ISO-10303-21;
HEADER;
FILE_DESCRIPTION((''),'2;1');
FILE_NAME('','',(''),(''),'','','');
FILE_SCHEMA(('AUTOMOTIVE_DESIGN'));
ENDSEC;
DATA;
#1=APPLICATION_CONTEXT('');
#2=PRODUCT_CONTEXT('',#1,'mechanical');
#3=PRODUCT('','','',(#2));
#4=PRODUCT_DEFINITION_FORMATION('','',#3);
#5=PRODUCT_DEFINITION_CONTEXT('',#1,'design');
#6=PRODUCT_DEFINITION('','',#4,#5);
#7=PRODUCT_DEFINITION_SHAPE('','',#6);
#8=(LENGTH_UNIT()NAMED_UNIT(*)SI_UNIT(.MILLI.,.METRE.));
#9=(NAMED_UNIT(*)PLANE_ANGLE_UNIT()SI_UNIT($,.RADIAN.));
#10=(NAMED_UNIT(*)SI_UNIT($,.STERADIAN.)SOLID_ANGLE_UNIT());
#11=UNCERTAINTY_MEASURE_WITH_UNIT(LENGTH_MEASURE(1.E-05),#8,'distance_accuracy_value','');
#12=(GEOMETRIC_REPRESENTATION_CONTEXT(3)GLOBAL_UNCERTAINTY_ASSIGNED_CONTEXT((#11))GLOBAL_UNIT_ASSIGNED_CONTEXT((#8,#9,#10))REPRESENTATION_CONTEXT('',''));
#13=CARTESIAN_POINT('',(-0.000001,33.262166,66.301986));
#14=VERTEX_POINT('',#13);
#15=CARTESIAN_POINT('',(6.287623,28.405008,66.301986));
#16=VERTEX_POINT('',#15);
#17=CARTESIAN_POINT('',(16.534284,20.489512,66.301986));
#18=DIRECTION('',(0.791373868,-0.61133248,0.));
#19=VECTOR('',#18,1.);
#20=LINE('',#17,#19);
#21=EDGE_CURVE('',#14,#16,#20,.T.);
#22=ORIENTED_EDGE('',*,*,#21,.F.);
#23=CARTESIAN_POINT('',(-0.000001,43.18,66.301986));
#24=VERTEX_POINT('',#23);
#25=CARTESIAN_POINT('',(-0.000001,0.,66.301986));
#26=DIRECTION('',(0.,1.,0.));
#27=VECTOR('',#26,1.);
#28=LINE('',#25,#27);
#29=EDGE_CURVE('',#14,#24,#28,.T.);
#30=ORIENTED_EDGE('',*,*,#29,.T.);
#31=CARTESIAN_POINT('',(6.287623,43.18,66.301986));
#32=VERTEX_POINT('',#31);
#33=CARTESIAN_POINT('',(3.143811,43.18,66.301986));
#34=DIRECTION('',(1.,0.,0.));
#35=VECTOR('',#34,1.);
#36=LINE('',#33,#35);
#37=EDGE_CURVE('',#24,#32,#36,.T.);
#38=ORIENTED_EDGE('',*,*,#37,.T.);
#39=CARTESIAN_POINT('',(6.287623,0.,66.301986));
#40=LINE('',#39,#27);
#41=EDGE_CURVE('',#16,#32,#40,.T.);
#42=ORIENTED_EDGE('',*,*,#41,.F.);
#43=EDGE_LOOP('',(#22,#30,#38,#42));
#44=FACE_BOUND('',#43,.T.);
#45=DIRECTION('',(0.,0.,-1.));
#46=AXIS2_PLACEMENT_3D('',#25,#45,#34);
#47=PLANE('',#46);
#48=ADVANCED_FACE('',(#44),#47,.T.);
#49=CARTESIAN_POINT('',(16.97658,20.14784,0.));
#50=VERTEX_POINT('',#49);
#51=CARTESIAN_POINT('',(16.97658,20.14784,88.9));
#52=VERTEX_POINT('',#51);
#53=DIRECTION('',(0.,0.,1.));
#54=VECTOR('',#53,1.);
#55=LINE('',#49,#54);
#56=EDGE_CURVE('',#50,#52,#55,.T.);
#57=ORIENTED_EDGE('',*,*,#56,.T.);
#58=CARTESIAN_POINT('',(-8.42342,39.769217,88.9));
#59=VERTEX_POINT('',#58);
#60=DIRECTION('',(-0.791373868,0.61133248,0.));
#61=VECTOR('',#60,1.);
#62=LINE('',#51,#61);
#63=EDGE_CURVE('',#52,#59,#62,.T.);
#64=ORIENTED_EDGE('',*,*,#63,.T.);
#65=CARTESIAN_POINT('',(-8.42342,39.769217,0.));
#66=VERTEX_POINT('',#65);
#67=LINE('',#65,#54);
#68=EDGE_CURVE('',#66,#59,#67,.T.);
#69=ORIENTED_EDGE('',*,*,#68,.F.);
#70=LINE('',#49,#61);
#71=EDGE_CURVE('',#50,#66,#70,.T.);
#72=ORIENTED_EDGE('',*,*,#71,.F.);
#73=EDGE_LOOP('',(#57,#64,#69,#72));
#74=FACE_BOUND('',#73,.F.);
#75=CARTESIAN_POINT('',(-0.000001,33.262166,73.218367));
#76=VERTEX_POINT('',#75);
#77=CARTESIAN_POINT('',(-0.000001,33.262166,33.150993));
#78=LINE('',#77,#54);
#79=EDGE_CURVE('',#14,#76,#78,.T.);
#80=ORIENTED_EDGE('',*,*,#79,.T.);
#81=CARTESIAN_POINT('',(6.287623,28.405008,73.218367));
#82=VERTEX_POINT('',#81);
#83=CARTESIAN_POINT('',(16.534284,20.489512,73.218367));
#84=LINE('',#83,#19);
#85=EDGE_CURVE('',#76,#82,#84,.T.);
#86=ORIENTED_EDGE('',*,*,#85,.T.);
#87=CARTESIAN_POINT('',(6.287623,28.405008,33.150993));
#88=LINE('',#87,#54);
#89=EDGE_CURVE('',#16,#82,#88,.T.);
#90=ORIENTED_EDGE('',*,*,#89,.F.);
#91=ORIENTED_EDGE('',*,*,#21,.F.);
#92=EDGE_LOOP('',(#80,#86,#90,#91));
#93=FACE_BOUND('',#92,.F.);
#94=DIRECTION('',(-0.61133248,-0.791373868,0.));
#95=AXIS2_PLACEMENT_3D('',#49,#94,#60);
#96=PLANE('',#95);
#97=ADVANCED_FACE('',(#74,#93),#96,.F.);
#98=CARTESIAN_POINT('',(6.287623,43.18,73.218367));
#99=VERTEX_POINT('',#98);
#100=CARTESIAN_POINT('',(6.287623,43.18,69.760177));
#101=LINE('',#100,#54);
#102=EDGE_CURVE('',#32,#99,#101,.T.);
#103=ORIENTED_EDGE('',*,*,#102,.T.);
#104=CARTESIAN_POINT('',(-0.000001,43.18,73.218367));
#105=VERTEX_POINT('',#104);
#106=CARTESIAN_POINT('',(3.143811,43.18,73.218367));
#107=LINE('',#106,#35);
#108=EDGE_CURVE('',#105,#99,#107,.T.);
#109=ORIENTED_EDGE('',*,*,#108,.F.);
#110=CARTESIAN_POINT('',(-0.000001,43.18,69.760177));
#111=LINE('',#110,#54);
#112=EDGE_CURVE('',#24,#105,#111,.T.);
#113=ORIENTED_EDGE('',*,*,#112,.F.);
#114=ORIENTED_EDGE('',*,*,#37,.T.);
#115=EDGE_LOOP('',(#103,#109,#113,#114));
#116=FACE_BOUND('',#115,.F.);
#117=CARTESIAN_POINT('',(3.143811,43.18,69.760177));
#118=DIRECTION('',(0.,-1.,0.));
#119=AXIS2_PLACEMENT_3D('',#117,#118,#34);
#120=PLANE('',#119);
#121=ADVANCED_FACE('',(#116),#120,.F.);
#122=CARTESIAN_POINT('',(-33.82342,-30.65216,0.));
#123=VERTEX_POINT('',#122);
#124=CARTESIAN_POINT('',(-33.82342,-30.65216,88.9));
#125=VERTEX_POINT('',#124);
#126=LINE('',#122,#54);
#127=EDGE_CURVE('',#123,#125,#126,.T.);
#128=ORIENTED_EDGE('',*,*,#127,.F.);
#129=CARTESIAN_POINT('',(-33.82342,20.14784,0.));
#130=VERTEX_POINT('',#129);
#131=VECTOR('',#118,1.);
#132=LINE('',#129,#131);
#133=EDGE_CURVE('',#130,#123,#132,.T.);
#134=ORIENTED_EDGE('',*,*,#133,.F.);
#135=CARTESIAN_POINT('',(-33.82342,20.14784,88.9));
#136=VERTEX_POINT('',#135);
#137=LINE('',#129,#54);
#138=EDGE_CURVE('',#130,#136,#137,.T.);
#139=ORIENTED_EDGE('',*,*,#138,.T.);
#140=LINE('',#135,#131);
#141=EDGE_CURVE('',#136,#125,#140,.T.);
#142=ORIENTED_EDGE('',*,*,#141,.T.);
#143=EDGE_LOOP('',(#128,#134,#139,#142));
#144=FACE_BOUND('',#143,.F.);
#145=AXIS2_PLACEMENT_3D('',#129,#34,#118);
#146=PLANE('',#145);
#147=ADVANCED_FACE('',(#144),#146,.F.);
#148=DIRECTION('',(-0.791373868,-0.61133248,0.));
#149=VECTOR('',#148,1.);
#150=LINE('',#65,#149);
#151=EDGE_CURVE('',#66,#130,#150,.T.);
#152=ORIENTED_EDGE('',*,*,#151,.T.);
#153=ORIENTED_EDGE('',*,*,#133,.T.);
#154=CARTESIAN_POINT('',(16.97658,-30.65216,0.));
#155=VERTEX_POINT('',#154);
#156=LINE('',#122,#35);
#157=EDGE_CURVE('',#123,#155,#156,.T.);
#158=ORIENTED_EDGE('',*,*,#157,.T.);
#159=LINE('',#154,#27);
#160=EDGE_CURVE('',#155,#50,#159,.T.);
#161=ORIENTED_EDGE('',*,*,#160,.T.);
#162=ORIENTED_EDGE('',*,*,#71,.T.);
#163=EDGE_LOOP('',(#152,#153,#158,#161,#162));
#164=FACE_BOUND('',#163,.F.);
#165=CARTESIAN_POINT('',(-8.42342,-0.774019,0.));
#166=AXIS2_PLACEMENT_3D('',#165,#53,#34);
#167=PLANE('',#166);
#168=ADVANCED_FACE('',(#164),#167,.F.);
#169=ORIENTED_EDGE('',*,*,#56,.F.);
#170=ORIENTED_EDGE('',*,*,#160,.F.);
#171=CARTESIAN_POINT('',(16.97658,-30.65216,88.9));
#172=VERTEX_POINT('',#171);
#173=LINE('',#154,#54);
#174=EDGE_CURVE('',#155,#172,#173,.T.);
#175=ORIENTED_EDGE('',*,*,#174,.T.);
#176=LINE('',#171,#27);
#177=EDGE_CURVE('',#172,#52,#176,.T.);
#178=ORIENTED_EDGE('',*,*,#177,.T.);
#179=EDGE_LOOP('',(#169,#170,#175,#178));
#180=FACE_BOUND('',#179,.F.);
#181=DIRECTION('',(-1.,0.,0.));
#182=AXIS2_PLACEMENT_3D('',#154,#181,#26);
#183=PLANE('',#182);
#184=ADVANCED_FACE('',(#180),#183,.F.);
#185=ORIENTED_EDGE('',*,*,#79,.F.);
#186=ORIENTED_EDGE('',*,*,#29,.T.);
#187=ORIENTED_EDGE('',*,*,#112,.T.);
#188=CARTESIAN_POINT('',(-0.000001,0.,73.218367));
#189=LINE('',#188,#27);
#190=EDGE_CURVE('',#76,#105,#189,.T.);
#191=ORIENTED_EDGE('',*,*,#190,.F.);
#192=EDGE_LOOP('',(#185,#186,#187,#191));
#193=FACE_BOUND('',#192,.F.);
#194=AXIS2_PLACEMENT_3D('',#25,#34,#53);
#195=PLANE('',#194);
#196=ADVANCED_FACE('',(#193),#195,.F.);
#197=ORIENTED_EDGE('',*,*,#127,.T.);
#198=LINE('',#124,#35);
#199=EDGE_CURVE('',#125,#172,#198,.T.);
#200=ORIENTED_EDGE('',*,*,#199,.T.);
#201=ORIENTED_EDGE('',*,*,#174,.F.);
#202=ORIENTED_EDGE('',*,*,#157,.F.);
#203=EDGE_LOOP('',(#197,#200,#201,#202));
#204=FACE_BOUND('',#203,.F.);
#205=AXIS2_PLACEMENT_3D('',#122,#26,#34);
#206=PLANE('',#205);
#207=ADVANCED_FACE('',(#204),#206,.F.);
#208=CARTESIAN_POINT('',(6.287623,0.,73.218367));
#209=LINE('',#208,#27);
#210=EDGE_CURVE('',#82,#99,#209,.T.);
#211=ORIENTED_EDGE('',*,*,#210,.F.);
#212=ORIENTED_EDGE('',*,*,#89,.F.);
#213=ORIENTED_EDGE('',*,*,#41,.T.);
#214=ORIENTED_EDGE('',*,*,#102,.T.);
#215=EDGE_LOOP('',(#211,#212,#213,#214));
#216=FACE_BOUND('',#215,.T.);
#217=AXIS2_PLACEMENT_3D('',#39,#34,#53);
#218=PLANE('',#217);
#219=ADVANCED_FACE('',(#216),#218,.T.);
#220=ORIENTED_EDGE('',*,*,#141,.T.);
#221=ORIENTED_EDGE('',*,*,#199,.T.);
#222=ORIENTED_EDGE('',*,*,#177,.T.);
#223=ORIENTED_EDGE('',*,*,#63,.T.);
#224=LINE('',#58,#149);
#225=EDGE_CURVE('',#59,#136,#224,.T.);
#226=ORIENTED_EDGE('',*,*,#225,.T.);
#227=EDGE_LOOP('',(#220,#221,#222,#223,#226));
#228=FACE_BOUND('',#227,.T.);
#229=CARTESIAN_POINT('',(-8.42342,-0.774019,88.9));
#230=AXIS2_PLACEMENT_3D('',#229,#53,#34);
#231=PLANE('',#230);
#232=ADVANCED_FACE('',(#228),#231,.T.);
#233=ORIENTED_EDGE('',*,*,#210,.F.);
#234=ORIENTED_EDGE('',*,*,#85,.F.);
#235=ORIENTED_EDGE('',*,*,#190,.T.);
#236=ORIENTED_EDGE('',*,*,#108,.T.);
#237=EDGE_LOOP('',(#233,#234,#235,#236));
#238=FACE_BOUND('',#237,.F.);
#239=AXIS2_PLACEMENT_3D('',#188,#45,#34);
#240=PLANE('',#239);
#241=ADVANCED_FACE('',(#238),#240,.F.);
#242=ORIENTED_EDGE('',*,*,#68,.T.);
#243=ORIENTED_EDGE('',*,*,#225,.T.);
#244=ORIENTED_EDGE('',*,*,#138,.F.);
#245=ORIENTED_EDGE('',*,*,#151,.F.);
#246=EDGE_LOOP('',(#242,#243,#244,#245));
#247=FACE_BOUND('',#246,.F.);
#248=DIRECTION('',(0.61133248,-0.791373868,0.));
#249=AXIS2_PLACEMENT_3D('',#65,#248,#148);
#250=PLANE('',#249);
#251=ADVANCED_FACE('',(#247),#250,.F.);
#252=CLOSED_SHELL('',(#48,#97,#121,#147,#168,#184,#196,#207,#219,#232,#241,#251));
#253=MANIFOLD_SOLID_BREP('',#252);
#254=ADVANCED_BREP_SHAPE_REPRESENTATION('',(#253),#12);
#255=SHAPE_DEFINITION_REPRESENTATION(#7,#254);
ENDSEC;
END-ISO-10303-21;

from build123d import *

# Parameters (mm, degrees)
F1_DEPTH = 88.9
F2_W     = 6.287623
F2_H     = 6.916381
F3_DEPTH = 43.18


with BuildPart() as f1:
    # F0 (on Top) → F1 (new body)
    with BuildSketch(Plane.XY):
        Polygon((-33.82342, 20.14784), (-33.82342, -30.65216), (16.97658, -30.65216), (16.97658, 20.14784), (-8.42342, 39.769217), align=None)
    extrude(amount=F1_DEPTH)

    # F2 (on Front) → F3 (join)
    with BuildSketch(Plane.XZ):
        with Locations((3.143811, 69.760177)):
            Rectangle(F2_W, F2_H)
    extrude(amount=-F3_DEPTH)


solid = f1.part
